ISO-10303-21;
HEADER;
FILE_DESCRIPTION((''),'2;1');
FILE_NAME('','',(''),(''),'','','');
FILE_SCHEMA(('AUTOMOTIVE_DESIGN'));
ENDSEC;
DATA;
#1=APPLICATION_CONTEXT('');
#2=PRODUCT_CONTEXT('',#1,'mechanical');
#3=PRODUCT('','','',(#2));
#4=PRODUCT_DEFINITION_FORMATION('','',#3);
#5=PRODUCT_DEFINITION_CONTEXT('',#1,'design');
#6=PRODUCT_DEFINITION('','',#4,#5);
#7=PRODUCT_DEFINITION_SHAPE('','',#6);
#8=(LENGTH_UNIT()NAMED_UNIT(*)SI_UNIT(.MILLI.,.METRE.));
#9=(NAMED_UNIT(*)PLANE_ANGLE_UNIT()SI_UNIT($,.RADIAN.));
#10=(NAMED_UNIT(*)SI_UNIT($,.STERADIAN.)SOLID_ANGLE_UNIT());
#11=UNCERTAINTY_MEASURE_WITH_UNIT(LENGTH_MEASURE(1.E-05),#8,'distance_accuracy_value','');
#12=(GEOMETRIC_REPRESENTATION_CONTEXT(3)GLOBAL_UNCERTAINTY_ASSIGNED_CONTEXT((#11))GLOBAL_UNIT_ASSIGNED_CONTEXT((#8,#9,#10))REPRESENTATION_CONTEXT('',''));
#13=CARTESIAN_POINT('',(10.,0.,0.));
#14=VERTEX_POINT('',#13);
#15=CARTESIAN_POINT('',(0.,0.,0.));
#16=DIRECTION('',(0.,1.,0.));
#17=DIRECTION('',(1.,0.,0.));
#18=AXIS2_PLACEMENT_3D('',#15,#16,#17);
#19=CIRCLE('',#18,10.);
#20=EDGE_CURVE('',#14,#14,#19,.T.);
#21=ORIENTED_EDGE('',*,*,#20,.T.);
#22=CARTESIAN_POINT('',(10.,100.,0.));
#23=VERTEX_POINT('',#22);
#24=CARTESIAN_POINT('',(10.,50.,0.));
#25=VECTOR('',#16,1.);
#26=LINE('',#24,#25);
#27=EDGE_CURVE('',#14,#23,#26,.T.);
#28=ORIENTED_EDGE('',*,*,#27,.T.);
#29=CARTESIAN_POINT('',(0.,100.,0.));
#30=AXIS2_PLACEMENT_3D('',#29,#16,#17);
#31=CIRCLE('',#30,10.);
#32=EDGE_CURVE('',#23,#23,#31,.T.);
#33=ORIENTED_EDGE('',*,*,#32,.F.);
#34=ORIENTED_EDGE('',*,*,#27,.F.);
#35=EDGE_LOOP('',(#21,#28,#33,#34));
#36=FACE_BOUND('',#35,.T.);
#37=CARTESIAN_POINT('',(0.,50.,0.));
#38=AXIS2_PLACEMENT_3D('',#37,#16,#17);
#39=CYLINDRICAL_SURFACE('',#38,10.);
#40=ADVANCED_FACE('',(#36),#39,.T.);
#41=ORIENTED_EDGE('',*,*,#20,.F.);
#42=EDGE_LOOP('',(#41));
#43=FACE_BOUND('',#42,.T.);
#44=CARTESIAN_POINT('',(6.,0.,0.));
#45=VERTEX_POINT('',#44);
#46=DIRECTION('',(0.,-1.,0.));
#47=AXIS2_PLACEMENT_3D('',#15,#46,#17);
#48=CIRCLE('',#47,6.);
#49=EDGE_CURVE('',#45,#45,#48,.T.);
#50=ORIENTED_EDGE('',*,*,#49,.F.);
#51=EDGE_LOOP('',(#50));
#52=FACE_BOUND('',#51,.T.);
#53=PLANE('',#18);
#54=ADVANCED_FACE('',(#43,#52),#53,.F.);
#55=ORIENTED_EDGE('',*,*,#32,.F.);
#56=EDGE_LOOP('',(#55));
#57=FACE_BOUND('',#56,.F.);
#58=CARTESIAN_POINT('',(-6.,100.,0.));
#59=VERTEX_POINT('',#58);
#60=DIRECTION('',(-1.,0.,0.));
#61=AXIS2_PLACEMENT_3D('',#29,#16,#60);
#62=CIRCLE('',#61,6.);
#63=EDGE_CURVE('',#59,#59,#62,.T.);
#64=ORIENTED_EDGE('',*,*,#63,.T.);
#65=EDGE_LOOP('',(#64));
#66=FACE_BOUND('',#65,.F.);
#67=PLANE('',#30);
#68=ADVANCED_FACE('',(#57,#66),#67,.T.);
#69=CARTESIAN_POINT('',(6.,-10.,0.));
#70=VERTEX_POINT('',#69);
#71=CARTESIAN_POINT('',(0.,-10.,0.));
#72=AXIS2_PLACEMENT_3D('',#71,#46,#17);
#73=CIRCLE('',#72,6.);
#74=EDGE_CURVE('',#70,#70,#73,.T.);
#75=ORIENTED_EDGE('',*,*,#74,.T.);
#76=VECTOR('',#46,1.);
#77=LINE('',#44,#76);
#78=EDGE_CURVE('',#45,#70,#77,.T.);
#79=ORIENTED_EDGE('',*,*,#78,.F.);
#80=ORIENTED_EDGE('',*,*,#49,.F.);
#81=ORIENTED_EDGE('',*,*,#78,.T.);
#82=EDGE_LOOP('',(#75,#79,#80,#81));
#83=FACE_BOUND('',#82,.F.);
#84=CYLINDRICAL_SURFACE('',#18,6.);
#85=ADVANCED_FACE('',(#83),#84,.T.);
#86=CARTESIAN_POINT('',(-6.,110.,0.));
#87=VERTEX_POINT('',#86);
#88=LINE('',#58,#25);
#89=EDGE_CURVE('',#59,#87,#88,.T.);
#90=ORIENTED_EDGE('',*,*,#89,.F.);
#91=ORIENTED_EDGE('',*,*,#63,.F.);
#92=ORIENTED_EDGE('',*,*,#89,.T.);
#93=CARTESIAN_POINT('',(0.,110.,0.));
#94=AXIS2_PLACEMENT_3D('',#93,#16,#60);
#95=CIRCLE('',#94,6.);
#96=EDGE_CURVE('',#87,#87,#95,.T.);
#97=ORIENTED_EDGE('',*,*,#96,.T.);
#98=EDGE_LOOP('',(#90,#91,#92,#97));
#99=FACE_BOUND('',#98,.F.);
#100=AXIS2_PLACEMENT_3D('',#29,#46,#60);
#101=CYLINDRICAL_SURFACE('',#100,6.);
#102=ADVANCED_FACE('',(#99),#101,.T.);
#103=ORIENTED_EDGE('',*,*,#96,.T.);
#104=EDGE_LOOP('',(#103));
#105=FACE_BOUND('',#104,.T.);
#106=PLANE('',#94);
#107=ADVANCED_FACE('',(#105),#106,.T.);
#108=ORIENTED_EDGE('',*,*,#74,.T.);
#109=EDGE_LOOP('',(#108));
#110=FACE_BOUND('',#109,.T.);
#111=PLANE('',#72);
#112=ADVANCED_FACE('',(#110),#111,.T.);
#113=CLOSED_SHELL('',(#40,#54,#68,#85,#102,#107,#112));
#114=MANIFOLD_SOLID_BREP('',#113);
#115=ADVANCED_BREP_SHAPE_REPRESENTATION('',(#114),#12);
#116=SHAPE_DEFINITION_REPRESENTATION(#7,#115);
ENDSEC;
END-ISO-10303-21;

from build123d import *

# Parameters (mm, degrees)
F0_W     = 10
F0_H     = 100
F2_R     = 6
F3_DEPTH = 10
F4_R     = 6
F5_DEPTH = 10


with BuildPart() as f1:
    # F0 (on Top) → F1 (revolve)
    with BuildSketch(Plane.XY):
        with Locations((5, 50)):
            Rectangle(F0_W, F0_H)
    revolve(axis=Axis((0, 50, 0), (0, 1, 0)))

    # F2 (on Front) → F3 (join)
    with BuildSketch(Plane.XZ):
        Circle(F2_R)
    extrude(amount=F3_DEPTH)

    # F4 (on face) → F5 (join)
    with BuildSketch(Plane(origin=(0, 100, 0), x_dir=(-1, 0, 0), z_dir=(0, 1, 0))):
        Circle(F4_R)
    extrude(amount=F5_DEPTH)


solid = f1.part
